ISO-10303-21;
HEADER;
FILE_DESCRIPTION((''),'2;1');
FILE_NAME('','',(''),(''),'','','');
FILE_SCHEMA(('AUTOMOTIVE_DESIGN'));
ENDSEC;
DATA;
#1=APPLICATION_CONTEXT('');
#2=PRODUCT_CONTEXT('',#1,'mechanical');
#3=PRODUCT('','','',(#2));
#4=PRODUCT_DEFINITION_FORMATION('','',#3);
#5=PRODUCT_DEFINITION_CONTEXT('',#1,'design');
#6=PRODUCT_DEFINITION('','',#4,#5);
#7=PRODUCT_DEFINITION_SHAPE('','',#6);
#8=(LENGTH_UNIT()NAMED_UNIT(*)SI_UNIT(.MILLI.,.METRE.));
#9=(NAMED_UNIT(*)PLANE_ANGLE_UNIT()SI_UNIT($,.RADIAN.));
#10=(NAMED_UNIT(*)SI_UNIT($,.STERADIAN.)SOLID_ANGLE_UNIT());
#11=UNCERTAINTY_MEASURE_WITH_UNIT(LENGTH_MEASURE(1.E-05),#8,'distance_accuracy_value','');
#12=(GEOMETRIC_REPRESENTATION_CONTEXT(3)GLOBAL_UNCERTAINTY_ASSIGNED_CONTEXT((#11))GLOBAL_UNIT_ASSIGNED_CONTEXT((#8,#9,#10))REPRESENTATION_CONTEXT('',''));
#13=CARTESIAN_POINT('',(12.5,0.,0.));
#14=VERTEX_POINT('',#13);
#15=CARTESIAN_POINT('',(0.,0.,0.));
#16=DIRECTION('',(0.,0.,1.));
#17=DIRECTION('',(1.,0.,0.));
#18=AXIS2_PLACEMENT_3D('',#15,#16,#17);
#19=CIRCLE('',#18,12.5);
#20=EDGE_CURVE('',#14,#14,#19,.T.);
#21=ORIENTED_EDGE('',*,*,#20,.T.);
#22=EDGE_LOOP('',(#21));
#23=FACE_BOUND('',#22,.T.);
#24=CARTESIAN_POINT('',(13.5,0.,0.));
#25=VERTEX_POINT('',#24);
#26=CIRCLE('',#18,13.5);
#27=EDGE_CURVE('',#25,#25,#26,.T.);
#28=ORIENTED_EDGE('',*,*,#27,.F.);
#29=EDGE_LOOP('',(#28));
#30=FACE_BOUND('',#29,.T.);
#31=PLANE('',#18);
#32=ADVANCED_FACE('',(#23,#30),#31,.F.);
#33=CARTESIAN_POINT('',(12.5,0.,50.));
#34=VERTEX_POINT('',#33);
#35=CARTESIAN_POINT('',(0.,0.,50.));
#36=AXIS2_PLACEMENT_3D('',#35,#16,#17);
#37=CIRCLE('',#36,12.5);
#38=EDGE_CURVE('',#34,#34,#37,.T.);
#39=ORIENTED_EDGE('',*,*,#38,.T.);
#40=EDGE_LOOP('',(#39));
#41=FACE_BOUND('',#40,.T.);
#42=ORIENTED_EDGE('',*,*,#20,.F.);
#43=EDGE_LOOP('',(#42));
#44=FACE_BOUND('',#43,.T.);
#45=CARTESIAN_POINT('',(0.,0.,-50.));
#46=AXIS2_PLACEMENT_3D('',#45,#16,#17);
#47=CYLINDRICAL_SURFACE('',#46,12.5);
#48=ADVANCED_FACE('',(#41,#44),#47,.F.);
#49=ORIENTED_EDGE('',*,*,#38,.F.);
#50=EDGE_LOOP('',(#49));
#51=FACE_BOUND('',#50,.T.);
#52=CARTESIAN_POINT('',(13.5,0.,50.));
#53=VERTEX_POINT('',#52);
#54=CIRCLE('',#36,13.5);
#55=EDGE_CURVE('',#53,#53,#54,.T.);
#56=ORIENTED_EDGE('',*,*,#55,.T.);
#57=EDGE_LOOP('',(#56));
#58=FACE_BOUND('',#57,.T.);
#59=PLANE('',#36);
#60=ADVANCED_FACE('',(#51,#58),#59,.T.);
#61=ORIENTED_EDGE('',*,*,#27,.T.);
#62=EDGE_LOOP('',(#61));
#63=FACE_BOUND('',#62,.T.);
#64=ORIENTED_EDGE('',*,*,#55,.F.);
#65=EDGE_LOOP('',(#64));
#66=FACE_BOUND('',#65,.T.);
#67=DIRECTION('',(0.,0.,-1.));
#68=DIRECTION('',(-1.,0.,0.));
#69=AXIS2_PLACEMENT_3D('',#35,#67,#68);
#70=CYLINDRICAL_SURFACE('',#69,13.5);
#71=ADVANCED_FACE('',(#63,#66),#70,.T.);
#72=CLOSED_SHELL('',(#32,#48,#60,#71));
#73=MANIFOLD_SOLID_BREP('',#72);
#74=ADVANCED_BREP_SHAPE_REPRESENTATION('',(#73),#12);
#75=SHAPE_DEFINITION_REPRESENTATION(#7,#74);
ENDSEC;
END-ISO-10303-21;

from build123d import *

# Parameters (mm, degrees)
SKETCH3_R           = 13.5
BOSS_EXTRUDE1_DEPTH = 50
SKETCH4_R           = 12.5
CUT_EXTRUDE1_DEPTH  = 100


with BuildPart() as part:
    # Sketch3 → Boss-Extrude1 (new body)
    with BuildSketch(Plane.XY):
        Circle(SKETCH3_R)
    extrude(amount=BOSS_EXTRUDE1_DEPTH)

    # Sketch4 → Cut-Extrude1 (cut)
    with BuildSketch(Plane.XY.offset(50)):
        Circle(SKETCH4_R)
    extrude(amount=-CUT_EXTRUDE1_DEPTH, mode=Mode.SUBTRACT)


solid = part.part
